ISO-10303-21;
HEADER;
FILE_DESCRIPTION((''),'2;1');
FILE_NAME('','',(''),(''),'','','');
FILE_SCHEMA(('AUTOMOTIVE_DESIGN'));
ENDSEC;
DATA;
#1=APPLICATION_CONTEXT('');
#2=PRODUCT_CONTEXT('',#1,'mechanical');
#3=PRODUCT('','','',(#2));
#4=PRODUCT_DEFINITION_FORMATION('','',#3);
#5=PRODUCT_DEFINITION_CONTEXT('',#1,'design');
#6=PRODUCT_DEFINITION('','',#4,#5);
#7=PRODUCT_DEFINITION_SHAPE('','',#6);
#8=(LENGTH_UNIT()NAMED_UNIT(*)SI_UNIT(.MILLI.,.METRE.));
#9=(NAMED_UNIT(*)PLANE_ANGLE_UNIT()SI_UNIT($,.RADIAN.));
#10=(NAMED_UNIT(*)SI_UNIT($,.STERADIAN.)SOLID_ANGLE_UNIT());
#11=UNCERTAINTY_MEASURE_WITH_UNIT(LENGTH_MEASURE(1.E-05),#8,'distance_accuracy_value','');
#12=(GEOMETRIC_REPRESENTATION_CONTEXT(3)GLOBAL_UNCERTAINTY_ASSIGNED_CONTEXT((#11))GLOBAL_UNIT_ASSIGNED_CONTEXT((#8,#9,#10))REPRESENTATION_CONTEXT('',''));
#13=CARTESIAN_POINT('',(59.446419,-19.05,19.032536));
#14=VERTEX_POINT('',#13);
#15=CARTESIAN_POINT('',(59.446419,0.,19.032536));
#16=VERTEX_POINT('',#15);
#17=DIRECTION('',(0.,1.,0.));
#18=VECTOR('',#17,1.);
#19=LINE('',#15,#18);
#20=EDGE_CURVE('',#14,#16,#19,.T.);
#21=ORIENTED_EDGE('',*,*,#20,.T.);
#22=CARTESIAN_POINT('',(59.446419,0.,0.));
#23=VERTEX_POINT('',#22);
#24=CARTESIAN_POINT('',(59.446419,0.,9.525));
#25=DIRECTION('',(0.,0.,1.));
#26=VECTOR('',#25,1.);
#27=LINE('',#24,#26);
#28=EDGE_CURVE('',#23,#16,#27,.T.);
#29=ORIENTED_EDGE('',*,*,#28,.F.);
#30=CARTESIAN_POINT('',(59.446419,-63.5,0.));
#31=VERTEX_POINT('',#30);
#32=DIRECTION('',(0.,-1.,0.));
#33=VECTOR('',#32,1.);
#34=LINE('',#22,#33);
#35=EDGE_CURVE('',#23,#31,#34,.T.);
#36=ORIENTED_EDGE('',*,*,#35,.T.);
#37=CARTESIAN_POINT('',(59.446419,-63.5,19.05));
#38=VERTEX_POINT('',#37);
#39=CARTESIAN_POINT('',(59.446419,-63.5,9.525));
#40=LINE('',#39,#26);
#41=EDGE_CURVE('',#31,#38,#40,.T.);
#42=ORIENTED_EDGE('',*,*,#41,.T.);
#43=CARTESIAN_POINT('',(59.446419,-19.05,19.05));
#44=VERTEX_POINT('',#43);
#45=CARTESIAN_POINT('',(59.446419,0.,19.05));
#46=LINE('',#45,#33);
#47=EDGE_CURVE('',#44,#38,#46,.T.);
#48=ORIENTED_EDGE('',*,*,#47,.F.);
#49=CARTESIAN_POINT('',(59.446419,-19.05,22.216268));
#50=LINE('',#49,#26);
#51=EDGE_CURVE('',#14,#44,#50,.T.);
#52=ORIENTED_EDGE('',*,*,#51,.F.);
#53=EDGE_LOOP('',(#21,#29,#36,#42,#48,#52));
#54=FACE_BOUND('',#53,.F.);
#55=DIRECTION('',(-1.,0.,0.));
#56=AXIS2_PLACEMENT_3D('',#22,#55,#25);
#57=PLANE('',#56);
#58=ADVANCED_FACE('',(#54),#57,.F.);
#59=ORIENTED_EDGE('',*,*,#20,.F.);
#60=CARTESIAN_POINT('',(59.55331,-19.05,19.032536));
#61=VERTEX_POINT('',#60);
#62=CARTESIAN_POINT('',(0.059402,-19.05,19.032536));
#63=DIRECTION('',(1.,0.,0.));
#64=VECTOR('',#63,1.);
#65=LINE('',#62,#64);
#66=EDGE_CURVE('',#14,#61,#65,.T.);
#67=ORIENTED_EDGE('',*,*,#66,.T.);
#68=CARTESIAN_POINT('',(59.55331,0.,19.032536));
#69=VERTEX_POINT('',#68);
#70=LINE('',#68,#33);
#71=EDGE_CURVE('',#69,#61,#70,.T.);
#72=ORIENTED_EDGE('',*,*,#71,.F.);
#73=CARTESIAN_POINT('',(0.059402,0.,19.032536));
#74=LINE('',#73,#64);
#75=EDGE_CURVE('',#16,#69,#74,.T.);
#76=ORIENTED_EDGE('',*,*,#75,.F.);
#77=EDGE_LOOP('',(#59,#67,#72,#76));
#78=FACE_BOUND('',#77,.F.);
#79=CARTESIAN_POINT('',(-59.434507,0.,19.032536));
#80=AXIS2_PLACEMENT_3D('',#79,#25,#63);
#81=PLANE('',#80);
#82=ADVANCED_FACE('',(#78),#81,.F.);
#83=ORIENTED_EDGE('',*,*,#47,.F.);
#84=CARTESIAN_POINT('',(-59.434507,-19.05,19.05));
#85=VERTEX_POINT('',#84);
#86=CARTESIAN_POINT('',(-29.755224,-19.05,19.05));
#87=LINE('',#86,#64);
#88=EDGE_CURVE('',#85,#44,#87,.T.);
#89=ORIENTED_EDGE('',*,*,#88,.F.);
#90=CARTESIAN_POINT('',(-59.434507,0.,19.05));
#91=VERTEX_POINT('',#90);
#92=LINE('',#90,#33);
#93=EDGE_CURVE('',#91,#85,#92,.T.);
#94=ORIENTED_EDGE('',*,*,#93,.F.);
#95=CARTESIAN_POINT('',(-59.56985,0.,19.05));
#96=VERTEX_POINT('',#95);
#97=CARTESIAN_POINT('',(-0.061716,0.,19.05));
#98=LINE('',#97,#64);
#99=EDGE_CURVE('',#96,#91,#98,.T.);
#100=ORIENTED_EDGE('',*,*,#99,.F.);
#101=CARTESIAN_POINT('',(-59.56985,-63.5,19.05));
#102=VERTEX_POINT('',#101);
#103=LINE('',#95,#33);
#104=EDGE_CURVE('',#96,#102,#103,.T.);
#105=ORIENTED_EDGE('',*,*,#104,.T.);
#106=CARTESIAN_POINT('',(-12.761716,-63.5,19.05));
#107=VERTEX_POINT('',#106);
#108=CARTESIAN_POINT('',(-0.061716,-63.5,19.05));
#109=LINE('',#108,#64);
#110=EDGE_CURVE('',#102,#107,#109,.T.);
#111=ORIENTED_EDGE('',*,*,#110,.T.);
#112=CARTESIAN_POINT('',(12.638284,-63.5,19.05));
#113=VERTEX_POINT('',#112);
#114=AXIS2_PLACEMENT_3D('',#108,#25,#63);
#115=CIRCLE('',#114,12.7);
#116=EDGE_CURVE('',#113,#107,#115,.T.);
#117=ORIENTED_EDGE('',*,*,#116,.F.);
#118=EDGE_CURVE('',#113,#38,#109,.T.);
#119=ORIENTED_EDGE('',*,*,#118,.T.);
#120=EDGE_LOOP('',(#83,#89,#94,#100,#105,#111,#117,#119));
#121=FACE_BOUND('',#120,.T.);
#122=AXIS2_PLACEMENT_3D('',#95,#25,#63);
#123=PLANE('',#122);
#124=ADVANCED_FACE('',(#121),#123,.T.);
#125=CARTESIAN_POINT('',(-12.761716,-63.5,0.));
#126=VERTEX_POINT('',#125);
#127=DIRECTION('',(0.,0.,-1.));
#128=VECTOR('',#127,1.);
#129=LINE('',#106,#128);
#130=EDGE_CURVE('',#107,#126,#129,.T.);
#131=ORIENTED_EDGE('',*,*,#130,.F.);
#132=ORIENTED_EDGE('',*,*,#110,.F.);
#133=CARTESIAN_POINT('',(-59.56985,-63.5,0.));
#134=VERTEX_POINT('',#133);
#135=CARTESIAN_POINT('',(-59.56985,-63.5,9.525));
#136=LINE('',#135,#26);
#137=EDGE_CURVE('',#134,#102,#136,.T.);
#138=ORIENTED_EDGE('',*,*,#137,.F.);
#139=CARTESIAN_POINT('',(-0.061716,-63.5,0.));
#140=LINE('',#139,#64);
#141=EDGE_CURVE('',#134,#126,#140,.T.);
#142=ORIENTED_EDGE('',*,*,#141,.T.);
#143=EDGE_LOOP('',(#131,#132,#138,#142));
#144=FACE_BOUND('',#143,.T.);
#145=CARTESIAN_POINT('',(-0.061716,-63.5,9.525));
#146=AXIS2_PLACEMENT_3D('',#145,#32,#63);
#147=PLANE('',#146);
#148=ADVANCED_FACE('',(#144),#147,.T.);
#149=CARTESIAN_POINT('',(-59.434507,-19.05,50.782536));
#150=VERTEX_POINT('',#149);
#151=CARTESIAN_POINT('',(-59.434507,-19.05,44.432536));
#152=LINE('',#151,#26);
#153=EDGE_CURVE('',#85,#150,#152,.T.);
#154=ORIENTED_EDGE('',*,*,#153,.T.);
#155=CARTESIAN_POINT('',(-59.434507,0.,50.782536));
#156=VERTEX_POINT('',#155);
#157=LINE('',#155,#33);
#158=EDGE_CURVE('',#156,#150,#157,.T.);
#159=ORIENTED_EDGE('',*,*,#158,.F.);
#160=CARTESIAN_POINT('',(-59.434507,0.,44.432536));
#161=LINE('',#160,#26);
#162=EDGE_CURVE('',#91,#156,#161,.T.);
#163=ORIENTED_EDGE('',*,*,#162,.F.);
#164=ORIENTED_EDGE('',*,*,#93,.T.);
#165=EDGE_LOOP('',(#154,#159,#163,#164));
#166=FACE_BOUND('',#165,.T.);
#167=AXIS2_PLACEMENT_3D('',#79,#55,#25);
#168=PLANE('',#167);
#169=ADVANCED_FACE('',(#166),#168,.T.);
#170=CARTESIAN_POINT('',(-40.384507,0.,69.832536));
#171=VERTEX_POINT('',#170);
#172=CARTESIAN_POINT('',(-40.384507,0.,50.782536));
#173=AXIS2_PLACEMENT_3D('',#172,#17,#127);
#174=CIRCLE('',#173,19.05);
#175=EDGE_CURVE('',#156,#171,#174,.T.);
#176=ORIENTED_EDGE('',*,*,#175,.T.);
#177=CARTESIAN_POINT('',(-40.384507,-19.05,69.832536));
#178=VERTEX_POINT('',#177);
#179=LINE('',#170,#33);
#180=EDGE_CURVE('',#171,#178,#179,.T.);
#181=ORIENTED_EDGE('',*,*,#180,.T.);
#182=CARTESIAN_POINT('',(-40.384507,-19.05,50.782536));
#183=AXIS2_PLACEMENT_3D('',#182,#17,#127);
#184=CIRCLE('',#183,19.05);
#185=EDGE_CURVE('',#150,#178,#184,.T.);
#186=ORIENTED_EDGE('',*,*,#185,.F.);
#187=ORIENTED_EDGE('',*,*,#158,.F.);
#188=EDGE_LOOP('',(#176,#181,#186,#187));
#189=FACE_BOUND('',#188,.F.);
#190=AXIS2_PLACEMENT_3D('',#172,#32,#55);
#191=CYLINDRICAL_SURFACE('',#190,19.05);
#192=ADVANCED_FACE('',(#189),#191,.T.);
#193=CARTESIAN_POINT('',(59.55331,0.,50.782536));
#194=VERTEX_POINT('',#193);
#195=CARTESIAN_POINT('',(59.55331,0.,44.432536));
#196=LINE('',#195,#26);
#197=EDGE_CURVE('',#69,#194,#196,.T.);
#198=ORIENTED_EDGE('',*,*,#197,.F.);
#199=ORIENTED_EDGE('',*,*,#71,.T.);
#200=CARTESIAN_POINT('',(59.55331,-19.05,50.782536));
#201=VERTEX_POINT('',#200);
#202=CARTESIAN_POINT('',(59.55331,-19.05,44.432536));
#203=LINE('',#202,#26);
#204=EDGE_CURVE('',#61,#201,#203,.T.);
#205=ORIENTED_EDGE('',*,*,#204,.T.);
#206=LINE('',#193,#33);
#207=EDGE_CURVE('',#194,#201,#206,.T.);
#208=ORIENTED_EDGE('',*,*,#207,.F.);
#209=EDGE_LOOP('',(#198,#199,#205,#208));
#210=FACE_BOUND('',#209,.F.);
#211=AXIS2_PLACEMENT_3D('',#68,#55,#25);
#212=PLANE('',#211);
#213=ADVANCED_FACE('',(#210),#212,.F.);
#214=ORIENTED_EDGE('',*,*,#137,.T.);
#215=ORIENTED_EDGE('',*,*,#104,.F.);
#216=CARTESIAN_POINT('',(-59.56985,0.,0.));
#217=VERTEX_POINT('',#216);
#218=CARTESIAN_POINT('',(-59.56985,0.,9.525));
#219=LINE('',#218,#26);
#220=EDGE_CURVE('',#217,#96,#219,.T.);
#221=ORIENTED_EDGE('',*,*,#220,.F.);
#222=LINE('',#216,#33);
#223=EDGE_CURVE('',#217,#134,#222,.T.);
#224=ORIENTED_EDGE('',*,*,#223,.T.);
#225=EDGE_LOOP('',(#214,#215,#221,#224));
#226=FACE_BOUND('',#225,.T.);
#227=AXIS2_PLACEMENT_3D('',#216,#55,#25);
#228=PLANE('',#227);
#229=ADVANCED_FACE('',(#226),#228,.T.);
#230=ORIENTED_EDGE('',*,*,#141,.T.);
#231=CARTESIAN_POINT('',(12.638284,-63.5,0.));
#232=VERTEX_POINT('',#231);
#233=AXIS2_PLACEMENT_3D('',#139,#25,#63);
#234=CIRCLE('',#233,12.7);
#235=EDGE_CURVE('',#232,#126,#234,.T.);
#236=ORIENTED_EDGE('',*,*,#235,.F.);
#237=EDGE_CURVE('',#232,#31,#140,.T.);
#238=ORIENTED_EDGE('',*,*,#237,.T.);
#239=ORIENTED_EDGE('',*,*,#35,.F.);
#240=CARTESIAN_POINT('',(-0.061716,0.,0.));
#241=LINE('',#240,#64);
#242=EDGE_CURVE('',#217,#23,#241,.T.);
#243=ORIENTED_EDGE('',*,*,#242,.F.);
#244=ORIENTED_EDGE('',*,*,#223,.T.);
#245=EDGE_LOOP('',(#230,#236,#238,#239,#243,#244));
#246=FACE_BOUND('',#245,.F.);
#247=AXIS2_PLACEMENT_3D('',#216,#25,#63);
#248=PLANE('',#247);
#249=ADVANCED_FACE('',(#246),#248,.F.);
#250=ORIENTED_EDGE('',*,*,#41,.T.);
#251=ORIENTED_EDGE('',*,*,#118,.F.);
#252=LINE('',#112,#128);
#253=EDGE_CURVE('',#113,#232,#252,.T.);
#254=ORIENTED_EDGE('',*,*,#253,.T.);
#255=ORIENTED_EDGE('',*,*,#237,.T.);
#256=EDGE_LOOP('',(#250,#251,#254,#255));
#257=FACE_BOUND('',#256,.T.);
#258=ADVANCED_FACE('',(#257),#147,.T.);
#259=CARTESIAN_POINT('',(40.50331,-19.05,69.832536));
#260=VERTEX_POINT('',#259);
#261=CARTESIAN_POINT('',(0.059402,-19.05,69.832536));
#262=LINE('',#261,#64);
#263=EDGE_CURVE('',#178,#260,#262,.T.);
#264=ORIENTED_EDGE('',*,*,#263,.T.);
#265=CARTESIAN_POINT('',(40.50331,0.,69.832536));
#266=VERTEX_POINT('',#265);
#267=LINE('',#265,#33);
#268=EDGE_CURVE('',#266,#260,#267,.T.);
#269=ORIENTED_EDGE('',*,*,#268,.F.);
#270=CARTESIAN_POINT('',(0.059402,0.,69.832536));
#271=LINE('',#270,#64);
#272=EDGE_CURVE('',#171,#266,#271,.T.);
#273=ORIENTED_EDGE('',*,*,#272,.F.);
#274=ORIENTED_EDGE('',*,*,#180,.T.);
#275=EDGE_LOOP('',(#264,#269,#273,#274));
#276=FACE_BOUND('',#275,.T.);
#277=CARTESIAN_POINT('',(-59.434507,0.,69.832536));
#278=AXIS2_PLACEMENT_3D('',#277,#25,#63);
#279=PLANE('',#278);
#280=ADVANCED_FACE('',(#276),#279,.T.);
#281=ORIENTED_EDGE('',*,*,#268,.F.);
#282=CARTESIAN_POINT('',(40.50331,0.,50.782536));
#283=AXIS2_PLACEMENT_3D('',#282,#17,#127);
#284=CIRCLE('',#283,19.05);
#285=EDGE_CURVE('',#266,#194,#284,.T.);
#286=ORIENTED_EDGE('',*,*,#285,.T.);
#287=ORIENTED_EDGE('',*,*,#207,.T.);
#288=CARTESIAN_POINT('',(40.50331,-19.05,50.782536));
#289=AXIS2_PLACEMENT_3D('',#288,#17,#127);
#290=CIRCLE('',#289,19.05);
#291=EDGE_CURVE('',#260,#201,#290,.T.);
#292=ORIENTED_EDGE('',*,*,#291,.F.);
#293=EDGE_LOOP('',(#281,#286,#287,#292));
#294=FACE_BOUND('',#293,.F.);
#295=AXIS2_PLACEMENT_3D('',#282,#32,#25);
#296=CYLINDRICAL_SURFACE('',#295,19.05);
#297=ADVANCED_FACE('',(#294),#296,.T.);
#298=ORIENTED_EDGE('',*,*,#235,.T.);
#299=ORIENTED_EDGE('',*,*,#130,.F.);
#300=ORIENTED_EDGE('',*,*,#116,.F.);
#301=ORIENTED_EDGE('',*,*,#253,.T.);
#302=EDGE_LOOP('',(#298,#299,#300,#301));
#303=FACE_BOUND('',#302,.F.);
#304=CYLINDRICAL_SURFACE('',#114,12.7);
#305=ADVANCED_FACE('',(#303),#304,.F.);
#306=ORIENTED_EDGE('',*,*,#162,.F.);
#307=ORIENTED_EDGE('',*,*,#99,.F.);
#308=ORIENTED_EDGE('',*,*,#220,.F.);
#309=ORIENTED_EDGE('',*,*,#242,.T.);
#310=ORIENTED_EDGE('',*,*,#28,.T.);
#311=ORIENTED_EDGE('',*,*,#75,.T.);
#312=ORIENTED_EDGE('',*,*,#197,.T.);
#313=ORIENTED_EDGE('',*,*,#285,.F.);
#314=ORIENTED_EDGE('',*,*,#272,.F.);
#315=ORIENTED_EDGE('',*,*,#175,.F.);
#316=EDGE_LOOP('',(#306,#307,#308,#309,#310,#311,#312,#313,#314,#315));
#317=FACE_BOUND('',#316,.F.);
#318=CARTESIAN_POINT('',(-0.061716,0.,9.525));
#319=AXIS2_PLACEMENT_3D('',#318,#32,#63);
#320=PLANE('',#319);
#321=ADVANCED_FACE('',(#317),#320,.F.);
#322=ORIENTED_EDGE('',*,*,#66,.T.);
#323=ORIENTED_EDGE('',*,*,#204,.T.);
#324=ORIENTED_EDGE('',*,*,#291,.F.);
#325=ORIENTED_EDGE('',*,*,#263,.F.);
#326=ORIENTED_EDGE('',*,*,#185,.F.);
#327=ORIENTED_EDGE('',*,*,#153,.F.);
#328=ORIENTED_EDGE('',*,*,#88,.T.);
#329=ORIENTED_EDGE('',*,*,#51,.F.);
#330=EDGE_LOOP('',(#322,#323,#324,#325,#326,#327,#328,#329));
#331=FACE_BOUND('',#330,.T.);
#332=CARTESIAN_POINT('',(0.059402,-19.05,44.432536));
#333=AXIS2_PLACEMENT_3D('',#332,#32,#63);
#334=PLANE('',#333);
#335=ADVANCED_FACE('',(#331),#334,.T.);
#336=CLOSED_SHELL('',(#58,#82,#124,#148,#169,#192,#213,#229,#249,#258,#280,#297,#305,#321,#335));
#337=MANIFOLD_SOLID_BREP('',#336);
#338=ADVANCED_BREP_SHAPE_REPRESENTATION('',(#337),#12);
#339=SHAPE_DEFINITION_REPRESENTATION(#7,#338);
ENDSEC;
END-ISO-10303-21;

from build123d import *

# Parameters (mm, degrees)
F0_W     = 119.0162692178
F0_H     = 19.05
F1_DEPTH = 63.5
F2_W     = 118.98781716
F2_H     = 50.8
F3_DEPTH = 19.05
F5_DEPTH = 25.4
F6_R     = 19.05
F7_R     = 19.05


with BuildPart() as f1:
    # F0 (on Front) → F1 (new body)
    with BuildSketch(Plane.XZ):
        with Locations((-0.0617158565, 9.525)):
            Rectangle(F0_W, F0_H)
    extrude(amount=F1_DEPTH)

    # F2 (on Front) → F3 (join)
    with BuildSketch(Plane.XZ):
        with Locations((0.0594016165, 44.4325357676)):
            Rectangle(F2_W, F2_H)
    extrude(amount=F3_DEPTH)

    # F4 (on face) → F5 (cut)
    with BuildSketch(Plane.XY.offset(19.05)):
        with BuildLine():
            Line((-12.7617158565, -63.5), (12.6382841435, -63.5))
            ThreePointArc((12.6382841435, -63.5), (-0.0617158565, -50.8), (-12.7617158565, -63.5))
        make_face()
    extrude(amount=-F5_DEPTH, mode=Mode.SUBTRACT)

    # F6
    f6_edges = [f1.edges().sort_by_distance(p)[0] for p in [
        (-59.434507, -9.525, 69.832536),
    ]]
    fillet(f6_edges, radius=F6_R)

    # F7
    f7_edges = [f1.edges().sort_by_distance(p)[0] for p in [
        (59.55331, -9.525, 69.832536),
    ]]
    fillet(f7_edges, radius=F7_R)


solid = f1.part
